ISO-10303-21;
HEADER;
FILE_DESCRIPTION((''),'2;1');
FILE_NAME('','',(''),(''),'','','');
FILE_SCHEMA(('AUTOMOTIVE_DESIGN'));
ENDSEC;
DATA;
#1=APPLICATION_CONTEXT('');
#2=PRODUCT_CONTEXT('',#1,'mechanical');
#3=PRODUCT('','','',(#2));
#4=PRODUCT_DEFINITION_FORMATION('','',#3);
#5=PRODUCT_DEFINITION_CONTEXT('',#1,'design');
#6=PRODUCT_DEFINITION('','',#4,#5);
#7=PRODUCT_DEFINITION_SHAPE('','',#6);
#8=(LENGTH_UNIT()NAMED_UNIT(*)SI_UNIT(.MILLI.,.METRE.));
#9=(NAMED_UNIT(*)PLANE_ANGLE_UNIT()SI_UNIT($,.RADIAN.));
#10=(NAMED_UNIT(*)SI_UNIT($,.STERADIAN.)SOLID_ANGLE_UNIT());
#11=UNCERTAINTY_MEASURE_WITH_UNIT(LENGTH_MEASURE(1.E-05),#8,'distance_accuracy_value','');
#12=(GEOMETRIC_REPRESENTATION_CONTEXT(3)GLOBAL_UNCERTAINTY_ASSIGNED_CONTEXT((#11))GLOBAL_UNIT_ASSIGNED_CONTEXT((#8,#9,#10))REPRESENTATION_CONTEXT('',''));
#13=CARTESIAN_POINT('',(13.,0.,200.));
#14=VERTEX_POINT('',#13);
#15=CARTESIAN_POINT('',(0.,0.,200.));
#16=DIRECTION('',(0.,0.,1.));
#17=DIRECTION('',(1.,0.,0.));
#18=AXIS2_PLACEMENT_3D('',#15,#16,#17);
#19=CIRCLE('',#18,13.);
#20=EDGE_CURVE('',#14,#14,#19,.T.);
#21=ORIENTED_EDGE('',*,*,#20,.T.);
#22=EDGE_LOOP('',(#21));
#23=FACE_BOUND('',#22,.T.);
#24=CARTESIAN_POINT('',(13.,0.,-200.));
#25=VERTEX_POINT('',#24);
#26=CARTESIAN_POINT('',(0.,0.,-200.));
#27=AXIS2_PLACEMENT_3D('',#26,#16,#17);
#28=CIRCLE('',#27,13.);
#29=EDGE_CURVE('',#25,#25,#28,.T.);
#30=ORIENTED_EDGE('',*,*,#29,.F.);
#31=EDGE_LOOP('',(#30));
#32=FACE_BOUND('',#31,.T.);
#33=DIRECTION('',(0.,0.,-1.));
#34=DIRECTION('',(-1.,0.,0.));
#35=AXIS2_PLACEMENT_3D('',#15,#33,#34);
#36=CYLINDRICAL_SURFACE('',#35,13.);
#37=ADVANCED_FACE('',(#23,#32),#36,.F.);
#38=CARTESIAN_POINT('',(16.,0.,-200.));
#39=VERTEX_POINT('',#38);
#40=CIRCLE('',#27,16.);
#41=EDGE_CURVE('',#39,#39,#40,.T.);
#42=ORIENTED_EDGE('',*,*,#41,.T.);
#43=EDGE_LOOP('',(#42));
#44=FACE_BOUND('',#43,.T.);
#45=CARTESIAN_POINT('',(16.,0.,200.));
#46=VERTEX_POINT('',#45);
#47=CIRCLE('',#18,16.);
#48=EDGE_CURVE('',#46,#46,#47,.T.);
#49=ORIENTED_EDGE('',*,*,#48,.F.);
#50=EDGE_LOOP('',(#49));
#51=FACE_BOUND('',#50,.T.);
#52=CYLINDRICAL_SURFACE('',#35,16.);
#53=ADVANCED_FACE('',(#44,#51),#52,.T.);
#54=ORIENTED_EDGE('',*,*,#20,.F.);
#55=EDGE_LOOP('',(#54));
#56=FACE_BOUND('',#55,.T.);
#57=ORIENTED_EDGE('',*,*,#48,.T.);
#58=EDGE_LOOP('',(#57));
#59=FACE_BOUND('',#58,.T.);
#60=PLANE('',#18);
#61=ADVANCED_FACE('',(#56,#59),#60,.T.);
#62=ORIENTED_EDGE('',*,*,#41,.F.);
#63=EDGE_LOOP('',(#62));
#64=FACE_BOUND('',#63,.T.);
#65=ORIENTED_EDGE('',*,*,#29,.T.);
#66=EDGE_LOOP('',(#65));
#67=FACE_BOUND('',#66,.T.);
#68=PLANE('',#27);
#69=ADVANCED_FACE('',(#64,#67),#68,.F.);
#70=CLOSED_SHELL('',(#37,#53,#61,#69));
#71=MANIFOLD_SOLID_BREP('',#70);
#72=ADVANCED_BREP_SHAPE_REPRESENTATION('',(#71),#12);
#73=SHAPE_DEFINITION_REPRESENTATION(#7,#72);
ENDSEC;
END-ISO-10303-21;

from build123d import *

# Parameters (mm, degrees)
CROQUIS1_R     = 16
EXTRUIR1_DEPTH = 200
VACIADO1_T     = -3


with BuildPart() as part:
    # Croquis1 → Extruir1 (new, symmetric)
    with BuildSketch(Plane.XY):
        Circle(CROQUIS1_R)
    extrude(amount=EXTRUIR1_DEPTH, both=True)

    # Vaciado1
    vaciado1_openings = [part.faces().sort_by_distance(p)[0] for p in [
        (0, 0, 200),
        (0, 0, -200),
    ]]
    offset(amount=VACIADO1_T, openings=vaciado1_openings, kind=Kind.INTERSECTION)


solid = part.part
